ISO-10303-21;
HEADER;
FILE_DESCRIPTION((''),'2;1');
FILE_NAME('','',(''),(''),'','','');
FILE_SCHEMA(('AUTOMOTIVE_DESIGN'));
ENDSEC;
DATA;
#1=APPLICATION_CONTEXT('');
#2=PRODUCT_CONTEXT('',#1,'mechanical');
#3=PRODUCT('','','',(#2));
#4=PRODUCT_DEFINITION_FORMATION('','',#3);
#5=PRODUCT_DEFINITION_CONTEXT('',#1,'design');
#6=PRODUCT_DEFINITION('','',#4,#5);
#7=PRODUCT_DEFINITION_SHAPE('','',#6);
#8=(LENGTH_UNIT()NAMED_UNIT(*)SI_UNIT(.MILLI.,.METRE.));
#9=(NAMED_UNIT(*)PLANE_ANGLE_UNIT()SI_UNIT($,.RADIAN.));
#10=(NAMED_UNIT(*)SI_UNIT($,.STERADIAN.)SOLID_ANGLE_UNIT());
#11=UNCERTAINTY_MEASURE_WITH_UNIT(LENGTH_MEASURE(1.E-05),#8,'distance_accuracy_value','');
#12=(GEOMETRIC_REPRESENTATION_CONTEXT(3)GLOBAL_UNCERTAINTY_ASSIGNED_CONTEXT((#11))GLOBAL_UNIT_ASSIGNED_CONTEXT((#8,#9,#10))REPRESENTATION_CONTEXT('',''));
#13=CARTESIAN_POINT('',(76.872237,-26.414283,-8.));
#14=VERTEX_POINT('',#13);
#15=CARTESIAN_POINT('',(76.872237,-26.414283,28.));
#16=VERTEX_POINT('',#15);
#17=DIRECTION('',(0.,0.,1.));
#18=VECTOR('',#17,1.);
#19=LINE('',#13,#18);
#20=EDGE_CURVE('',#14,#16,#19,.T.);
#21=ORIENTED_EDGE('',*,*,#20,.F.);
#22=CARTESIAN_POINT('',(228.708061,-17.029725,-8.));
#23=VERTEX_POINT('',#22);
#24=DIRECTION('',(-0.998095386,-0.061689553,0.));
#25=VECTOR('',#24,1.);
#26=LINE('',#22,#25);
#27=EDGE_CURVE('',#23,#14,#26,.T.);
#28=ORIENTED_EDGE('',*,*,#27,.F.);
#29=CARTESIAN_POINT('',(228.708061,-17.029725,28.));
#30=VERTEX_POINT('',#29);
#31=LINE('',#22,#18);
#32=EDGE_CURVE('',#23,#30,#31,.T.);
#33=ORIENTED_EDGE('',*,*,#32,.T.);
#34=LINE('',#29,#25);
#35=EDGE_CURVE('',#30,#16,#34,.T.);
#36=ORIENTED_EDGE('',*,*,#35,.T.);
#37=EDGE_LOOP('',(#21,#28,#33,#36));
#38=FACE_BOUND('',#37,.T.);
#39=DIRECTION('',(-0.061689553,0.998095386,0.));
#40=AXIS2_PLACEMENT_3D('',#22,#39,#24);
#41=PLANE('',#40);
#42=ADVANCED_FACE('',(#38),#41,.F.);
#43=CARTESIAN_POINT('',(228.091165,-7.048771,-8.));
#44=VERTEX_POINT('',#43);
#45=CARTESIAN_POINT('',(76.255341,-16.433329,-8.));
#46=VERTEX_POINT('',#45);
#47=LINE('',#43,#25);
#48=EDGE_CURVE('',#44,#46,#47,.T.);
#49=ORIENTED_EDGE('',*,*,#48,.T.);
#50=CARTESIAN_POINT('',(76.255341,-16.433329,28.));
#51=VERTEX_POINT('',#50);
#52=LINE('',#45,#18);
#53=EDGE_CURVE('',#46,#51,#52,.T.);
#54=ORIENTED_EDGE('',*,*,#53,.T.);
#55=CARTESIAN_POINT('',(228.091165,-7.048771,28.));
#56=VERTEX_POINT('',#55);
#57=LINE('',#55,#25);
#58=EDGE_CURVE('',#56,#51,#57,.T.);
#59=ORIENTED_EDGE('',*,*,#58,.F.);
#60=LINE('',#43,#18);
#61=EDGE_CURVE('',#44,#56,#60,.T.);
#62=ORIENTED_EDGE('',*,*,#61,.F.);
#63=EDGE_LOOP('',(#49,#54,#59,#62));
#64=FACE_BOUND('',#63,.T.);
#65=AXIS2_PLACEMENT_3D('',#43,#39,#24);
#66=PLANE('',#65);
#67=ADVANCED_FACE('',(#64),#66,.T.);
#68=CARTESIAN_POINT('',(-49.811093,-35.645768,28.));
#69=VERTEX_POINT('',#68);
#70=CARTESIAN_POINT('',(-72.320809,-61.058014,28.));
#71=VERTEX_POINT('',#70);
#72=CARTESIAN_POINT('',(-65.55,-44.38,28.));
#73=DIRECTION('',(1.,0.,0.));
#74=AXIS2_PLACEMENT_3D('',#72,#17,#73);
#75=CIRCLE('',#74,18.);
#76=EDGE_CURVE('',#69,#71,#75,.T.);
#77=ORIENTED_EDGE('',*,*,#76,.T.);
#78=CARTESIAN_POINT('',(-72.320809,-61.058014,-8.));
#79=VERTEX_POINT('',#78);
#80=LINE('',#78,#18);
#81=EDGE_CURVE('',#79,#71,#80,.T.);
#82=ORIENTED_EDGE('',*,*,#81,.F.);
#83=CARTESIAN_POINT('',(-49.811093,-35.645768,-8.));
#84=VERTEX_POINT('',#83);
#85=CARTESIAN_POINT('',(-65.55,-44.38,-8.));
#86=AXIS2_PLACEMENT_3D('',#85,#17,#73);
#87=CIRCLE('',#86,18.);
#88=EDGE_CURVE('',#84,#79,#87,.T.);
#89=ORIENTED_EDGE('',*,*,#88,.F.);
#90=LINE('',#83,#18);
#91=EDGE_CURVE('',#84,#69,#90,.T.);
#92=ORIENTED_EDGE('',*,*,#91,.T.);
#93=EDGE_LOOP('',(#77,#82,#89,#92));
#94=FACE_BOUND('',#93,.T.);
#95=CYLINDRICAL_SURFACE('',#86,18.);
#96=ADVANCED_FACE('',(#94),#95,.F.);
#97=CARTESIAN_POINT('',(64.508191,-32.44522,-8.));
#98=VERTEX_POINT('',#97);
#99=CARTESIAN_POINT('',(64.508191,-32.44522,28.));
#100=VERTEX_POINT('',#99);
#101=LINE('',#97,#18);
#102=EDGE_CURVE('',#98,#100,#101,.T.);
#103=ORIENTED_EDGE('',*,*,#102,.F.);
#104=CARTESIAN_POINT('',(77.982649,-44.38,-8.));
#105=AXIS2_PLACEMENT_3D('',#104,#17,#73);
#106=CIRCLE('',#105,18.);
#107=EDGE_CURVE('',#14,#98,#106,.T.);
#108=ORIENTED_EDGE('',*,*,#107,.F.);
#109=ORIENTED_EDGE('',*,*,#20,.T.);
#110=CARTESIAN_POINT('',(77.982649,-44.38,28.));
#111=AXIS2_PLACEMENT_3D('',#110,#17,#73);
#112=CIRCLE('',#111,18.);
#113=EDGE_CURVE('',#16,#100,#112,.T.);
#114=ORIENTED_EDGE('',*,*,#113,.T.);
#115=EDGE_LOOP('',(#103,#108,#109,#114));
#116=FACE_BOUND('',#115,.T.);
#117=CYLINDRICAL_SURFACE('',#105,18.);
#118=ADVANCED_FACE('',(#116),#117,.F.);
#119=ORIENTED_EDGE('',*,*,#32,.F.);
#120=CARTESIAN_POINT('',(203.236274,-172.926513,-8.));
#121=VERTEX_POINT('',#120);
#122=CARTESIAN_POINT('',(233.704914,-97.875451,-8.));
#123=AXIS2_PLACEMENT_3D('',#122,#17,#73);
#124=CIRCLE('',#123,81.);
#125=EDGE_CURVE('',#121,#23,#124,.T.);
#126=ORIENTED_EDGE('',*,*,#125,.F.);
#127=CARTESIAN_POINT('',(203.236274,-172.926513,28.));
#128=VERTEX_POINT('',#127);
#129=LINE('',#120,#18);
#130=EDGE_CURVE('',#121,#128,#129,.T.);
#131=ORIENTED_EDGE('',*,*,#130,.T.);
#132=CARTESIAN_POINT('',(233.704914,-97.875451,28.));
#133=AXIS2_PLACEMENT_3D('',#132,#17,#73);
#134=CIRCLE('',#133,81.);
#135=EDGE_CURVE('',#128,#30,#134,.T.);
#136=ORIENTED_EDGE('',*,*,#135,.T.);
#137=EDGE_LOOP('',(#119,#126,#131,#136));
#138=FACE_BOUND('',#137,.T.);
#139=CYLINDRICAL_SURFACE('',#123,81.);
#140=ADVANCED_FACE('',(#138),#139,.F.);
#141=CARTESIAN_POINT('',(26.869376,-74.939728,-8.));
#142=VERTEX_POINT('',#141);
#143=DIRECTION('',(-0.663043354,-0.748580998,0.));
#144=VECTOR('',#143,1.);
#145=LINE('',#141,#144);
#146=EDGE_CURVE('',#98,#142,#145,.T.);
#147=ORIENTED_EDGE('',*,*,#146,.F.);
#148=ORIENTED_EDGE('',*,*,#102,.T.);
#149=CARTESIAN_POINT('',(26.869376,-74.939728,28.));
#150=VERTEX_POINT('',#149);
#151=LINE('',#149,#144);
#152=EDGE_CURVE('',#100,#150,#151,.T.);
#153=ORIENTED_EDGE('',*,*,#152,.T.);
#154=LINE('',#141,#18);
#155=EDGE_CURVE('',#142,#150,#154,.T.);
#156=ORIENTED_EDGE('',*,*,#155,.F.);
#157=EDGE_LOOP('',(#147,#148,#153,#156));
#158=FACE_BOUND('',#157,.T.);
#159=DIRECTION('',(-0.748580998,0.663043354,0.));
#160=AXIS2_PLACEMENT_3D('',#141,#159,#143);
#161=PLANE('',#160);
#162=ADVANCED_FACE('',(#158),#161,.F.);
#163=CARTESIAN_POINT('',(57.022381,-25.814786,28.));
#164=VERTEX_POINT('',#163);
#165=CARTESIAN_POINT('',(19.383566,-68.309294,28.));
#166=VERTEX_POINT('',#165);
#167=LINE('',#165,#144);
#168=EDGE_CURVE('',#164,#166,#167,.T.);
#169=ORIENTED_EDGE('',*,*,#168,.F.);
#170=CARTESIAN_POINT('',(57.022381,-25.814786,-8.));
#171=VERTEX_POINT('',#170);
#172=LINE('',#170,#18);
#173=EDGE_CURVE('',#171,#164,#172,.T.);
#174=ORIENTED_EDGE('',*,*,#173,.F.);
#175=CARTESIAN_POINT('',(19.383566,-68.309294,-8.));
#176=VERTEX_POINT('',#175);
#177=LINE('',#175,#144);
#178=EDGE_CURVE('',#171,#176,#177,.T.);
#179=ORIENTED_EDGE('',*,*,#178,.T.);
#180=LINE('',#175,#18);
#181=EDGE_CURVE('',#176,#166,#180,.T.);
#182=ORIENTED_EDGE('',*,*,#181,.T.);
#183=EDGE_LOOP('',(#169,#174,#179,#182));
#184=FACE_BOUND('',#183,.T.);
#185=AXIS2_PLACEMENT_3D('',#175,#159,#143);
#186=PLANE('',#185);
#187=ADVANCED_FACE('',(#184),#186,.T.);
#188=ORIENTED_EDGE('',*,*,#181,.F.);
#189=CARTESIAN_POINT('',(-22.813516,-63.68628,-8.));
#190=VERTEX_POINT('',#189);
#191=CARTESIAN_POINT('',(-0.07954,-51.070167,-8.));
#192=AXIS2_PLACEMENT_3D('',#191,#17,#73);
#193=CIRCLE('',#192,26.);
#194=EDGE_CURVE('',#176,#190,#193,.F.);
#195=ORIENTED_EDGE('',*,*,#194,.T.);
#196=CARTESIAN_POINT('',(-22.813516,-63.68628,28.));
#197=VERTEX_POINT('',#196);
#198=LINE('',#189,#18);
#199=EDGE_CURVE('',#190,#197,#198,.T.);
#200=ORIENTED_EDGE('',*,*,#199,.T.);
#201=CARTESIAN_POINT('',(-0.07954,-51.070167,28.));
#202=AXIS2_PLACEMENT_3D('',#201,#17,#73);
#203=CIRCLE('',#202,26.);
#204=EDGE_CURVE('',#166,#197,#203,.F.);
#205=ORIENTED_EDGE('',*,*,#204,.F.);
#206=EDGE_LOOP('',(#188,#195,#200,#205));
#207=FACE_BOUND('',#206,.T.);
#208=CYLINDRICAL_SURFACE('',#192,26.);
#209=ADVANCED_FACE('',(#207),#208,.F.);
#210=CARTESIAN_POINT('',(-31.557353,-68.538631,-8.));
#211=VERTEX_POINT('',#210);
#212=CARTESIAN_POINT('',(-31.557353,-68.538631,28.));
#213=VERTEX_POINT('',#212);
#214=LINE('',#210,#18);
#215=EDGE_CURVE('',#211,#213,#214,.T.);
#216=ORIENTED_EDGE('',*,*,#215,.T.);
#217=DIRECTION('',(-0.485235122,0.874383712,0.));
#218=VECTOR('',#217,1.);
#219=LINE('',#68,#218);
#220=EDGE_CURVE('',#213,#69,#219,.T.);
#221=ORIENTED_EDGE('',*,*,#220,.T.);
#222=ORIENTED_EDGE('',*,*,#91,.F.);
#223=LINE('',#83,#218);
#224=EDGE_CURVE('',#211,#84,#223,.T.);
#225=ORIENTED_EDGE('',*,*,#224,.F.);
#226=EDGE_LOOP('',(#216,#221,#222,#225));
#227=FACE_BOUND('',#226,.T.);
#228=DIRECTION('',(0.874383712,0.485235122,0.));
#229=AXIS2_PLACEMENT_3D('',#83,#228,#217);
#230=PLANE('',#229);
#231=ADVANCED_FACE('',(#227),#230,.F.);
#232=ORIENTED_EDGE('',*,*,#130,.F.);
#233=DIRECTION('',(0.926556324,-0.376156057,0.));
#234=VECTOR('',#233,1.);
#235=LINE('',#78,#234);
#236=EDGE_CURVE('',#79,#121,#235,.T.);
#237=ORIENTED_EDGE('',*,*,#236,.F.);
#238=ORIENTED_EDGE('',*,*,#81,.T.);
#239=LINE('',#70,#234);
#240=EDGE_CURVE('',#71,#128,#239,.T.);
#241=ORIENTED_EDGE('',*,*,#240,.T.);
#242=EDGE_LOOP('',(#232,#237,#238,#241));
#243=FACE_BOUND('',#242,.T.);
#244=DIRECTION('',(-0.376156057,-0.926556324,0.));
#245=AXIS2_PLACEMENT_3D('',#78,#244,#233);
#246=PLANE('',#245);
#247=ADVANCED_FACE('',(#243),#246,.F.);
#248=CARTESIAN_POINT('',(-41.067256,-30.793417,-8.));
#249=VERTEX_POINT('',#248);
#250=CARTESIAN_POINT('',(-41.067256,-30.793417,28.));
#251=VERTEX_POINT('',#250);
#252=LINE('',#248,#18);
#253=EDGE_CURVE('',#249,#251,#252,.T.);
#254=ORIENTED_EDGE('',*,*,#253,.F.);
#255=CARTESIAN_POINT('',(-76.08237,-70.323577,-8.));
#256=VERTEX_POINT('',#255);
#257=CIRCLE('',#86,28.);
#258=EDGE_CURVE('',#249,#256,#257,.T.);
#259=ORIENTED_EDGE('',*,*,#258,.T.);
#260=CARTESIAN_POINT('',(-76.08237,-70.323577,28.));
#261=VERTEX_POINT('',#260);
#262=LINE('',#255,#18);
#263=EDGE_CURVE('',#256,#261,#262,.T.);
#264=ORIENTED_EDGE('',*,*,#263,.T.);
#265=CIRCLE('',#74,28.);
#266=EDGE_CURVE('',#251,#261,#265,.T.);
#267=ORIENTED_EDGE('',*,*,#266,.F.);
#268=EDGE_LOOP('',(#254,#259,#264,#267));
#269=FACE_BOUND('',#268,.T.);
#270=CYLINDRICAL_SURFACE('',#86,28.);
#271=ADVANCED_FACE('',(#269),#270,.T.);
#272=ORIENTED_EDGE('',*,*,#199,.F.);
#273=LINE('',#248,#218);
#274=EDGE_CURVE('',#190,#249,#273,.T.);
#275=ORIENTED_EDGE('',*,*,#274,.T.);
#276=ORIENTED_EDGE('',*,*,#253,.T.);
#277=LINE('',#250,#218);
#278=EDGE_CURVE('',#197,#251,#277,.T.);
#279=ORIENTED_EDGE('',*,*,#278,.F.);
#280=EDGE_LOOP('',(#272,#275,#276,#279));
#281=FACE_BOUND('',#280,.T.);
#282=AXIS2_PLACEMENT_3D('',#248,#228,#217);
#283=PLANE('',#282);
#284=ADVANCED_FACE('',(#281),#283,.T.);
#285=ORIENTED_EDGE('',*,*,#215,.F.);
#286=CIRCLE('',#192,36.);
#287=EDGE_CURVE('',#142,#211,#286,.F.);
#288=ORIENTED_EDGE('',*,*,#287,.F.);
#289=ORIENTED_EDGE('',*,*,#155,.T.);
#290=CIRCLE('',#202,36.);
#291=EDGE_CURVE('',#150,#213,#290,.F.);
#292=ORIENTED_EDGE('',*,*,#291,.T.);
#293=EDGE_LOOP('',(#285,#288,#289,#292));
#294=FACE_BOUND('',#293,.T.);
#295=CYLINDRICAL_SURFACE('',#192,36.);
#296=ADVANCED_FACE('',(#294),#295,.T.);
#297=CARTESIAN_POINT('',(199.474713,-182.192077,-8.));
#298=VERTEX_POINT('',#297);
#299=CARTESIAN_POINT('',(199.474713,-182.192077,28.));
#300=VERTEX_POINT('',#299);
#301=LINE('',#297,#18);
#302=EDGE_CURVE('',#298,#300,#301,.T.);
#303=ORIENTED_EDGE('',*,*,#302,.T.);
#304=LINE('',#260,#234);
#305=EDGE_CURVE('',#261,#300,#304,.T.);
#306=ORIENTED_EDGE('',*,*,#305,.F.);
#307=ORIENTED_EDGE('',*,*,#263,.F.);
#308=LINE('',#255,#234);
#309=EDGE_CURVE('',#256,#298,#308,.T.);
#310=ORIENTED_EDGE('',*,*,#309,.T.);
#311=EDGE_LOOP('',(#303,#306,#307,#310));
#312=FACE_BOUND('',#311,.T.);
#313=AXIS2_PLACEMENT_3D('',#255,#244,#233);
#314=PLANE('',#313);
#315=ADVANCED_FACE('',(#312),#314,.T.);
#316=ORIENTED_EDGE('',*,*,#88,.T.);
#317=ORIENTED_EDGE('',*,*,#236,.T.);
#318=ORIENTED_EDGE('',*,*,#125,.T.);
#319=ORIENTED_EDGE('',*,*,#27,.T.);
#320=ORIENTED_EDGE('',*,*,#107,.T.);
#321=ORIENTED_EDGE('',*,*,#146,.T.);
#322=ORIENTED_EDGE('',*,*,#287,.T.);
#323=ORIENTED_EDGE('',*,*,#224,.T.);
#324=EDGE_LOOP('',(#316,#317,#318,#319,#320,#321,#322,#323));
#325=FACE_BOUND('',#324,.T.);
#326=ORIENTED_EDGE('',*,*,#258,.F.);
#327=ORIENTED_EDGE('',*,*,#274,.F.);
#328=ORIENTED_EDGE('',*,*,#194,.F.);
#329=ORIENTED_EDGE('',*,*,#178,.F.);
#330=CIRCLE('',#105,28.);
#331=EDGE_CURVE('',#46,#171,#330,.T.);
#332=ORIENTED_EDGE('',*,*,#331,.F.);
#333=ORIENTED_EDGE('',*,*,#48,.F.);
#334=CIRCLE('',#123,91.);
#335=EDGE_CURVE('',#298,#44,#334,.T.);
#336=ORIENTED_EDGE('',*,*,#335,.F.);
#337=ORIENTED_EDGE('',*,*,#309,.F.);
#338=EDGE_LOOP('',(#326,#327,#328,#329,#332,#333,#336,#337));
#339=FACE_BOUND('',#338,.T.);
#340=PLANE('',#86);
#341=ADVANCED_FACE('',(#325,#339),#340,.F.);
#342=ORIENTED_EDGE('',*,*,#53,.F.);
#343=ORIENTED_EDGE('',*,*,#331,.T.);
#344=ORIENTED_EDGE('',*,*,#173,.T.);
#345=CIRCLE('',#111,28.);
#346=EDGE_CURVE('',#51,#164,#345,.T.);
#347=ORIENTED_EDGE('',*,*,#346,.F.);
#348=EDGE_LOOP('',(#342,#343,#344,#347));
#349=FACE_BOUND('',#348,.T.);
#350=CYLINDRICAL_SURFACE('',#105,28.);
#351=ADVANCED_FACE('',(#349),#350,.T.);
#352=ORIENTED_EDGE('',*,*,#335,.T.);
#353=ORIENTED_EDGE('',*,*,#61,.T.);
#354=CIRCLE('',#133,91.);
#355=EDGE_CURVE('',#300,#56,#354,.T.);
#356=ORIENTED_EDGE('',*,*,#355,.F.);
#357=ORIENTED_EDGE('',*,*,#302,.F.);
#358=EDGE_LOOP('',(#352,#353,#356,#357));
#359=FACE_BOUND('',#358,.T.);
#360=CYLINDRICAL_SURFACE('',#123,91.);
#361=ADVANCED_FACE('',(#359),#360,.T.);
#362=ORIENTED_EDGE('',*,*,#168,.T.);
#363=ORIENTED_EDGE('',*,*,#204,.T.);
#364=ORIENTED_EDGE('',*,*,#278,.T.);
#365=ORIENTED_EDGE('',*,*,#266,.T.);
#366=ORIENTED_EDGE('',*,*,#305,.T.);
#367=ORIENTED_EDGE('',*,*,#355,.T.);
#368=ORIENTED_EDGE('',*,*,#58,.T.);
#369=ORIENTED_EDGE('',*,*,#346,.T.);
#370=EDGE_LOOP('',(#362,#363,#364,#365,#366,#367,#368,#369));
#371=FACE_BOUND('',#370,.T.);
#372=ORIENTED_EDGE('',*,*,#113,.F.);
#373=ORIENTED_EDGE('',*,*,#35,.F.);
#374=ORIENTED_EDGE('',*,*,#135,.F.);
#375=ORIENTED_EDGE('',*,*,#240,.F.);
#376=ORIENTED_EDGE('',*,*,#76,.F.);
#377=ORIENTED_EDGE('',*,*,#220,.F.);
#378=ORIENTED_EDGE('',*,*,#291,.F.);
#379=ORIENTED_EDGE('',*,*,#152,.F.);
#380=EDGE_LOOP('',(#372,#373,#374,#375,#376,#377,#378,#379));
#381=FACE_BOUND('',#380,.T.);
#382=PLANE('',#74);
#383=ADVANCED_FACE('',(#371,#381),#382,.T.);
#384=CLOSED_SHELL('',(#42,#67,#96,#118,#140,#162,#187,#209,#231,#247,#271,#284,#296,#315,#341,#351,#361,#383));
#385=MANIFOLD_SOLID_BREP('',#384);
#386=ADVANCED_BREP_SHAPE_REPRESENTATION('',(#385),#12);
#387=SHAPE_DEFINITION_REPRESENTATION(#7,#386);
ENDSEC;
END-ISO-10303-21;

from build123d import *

# Parameters (mm, degrees)
EXTRUDE_THIN1_DEPTH      = 28
EXTRUDE_THIN1_DEPTH_BACK = 8


with BuildPart() as part:
    # Sketch1 → Extrude-Thin1 (new, two sides: drawn at the far end of the back side and taken through both)
    with BuildSketch(Plane.XY.offset(-EXTRUDE_THIN1_DEPTH_BACK)):
        with BuildLine():
            Line((19.383566169, -68.309294305), (57.022380557, -25.814786092))
            ThreePointArc((57.022380557, -25.814786092), (65.70728891, -19.214238602), (76.255341013, -16.4333292))
            Line((76.255341013, -16.4333292), (228.091165061, -7.048771065))
            ThreePointArc((228.091165061, -7.048771065), (323.514042398, -112.549255422), (199.474713255, -182.192076622))
            Line((199.474713255, -182.192076622), (-76.082369589, -70.323577063))
            ThreePointArc((-76.082369589, -70.323577063), (-86.509762237, -25.814215154), (-41.067256055, -30.793416585))
            Line((-41.067256055, -30.793416585), (-22.813516306, -63.686280276))
            ThreePointArc((-22.813516306, -63.686280276), (-2.911096467, -76.915520396), (19.383566169, -68.309294305))
        make_face()
        with BuildLine():
            Line((26.869376151, -74.939727844), (64.508190539, -32.44521963))
            ThreePointArc((64.508190539, -32.44521963), (70.091345909, -28.20201053), (76.872236546, -26.414283057))
            Line((76.872236546, -26.414283057), (228.708060595, -17.029724922))
            ThreePointArc((228.708060595, -17.029724922), (313.644907456, -110.93674946), (203.236273822, -172.926513385))
            Line((203.236273822, -172.926513385), (-72.320809021, -61.058013827))
            ThreePointArc((-72.320809021, -61.058013827), (-79.024132867, -32.444852599), (-49.811093178, -35.645767804))
            Line((-49.811093178, -35.645767804), (-31.557353429, -68.538631496))
            ThreePointArc((-31.557353429, -68.538631496), (-4.00015673, -86.856040893), (26.869376151, -74.939727844))
        make_face(mode=Mode.SUBTRACT)
    extrude(amount=EXTRUDE_THIN1_DEPTH + EXTRUDE_THIN1_DEPTH_BACK)


solid = part.part
